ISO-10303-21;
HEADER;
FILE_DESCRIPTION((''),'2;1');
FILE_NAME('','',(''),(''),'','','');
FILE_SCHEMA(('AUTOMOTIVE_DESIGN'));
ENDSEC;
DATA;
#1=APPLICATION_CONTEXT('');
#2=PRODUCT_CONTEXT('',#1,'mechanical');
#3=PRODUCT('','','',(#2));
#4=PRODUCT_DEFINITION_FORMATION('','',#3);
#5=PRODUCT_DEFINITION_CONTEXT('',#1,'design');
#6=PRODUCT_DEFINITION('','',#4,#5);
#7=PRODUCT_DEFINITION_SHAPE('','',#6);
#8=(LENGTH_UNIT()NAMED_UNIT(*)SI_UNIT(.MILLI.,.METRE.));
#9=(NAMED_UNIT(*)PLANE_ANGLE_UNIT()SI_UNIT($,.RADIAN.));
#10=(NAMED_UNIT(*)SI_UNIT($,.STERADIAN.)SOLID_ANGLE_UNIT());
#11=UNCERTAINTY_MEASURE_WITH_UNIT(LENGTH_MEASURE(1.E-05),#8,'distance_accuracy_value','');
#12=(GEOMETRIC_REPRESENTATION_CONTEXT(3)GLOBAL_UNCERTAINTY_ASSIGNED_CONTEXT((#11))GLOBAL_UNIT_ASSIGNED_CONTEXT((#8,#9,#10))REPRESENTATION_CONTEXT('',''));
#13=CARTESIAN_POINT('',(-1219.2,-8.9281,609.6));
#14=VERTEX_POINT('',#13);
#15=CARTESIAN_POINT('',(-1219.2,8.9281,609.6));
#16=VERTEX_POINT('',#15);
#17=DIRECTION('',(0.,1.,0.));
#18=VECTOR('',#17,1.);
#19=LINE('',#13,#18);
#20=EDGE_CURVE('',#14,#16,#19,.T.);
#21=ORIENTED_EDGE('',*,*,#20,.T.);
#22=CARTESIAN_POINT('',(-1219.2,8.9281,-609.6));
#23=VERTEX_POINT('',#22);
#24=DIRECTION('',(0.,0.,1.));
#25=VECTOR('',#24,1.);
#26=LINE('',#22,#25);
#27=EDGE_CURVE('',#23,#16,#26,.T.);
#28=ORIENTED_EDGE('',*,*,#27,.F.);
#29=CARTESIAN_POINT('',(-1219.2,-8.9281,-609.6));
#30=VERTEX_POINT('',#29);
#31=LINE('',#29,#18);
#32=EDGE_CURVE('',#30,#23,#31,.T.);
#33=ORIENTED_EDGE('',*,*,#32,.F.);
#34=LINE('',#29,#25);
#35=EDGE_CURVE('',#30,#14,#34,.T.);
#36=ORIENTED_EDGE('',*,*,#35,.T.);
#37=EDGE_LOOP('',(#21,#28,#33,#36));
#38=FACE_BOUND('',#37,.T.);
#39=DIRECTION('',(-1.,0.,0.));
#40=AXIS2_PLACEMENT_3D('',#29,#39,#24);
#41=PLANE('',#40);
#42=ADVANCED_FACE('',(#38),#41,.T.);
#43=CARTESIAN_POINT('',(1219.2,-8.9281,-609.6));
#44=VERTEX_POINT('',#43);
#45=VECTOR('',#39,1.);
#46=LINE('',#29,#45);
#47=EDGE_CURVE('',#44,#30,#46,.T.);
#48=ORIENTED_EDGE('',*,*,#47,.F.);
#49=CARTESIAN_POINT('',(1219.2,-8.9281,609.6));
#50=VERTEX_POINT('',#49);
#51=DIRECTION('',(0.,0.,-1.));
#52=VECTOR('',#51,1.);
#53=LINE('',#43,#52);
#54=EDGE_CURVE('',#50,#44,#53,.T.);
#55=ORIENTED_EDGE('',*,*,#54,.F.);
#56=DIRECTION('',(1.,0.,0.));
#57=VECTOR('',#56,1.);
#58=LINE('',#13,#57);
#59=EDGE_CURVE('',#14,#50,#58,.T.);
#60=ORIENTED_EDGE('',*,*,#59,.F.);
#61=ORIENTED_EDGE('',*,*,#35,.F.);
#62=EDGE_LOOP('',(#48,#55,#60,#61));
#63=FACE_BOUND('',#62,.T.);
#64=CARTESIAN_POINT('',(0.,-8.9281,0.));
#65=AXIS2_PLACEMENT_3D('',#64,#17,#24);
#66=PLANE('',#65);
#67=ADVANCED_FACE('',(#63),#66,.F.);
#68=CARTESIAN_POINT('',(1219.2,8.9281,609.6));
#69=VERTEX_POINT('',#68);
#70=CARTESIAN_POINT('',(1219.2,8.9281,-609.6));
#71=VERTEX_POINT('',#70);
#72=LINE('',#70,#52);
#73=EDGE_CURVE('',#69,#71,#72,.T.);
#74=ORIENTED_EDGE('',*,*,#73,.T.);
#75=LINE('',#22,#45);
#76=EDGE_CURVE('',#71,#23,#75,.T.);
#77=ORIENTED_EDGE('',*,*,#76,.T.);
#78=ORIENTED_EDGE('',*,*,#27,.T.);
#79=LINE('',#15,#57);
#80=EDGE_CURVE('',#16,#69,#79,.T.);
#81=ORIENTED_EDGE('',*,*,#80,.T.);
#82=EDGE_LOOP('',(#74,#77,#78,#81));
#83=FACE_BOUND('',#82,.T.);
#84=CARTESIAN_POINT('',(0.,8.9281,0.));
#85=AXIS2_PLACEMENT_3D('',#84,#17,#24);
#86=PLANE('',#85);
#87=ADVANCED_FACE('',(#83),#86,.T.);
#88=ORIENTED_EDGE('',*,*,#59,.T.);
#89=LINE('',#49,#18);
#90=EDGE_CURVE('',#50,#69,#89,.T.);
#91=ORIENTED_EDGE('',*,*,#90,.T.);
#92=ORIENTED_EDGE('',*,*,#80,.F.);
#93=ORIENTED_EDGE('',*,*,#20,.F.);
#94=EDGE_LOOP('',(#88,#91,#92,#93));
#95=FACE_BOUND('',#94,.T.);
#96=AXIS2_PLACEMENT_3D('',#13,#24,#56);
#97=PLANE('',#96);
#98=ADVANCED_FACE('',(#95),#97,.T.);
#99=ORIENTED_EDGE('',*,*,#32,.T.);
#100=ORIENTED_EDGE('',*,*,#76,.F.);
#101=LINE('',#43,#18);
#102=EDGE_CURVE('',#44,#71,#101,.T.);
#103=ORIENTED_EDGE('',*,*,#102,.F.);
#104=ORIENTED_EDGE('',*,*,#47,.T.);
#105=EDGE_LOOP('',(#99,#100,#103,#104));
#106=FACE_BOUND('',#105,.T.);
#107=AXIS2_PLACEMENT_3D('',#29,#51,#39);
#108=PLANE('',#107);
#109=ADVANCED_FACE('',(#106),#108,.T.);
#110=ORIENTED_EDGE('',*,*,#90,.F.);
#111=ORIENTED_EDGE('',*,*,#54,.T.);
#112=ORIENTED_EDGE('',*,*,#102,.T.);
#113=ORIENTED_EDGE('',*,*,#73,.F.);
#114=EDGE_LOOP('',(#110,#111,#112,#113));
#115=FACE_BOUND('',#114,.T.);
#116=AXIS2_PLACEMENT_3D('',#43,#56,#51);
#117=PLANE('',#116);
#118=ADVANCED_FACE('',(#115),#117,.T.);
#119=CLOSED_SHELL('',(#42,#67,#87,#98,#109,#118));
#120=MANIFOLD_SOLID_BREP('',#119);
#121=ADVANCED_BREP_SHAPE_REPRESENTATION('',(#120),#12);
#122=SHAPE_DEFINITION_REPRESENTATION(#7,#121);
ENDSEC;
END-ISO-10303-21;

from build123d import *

# Parameters (mm, degrees)
SKETCH2_W                = 2438.4
SKETCH2_H                = 1219.2
BOSS_EXTRUDE1_DEPTH      = 8.9281
BOSS_EXTRUDE1_DEPTH_BACK = 8.9281


with BuildPart() as part:
    # Sketch2 → Boss-Extrude1 (new body, two sides)
    with BuildSketch(Plane(origin=(0, 0, 0), x_dir=(1, 0, 0), z_dir=(0, 1, 0))) as boss_extrude1_sk:
        Rectangle(SKETCH2_W, SKETCH2_H)
    extrude(amount=BOSS_EXTRUDE1_DEPTH)
    extrude(boss_extrude1_sk.sketch, amount=-BOSS_EXTRUDE1_DEPTH_BACK)


solid = part.part
